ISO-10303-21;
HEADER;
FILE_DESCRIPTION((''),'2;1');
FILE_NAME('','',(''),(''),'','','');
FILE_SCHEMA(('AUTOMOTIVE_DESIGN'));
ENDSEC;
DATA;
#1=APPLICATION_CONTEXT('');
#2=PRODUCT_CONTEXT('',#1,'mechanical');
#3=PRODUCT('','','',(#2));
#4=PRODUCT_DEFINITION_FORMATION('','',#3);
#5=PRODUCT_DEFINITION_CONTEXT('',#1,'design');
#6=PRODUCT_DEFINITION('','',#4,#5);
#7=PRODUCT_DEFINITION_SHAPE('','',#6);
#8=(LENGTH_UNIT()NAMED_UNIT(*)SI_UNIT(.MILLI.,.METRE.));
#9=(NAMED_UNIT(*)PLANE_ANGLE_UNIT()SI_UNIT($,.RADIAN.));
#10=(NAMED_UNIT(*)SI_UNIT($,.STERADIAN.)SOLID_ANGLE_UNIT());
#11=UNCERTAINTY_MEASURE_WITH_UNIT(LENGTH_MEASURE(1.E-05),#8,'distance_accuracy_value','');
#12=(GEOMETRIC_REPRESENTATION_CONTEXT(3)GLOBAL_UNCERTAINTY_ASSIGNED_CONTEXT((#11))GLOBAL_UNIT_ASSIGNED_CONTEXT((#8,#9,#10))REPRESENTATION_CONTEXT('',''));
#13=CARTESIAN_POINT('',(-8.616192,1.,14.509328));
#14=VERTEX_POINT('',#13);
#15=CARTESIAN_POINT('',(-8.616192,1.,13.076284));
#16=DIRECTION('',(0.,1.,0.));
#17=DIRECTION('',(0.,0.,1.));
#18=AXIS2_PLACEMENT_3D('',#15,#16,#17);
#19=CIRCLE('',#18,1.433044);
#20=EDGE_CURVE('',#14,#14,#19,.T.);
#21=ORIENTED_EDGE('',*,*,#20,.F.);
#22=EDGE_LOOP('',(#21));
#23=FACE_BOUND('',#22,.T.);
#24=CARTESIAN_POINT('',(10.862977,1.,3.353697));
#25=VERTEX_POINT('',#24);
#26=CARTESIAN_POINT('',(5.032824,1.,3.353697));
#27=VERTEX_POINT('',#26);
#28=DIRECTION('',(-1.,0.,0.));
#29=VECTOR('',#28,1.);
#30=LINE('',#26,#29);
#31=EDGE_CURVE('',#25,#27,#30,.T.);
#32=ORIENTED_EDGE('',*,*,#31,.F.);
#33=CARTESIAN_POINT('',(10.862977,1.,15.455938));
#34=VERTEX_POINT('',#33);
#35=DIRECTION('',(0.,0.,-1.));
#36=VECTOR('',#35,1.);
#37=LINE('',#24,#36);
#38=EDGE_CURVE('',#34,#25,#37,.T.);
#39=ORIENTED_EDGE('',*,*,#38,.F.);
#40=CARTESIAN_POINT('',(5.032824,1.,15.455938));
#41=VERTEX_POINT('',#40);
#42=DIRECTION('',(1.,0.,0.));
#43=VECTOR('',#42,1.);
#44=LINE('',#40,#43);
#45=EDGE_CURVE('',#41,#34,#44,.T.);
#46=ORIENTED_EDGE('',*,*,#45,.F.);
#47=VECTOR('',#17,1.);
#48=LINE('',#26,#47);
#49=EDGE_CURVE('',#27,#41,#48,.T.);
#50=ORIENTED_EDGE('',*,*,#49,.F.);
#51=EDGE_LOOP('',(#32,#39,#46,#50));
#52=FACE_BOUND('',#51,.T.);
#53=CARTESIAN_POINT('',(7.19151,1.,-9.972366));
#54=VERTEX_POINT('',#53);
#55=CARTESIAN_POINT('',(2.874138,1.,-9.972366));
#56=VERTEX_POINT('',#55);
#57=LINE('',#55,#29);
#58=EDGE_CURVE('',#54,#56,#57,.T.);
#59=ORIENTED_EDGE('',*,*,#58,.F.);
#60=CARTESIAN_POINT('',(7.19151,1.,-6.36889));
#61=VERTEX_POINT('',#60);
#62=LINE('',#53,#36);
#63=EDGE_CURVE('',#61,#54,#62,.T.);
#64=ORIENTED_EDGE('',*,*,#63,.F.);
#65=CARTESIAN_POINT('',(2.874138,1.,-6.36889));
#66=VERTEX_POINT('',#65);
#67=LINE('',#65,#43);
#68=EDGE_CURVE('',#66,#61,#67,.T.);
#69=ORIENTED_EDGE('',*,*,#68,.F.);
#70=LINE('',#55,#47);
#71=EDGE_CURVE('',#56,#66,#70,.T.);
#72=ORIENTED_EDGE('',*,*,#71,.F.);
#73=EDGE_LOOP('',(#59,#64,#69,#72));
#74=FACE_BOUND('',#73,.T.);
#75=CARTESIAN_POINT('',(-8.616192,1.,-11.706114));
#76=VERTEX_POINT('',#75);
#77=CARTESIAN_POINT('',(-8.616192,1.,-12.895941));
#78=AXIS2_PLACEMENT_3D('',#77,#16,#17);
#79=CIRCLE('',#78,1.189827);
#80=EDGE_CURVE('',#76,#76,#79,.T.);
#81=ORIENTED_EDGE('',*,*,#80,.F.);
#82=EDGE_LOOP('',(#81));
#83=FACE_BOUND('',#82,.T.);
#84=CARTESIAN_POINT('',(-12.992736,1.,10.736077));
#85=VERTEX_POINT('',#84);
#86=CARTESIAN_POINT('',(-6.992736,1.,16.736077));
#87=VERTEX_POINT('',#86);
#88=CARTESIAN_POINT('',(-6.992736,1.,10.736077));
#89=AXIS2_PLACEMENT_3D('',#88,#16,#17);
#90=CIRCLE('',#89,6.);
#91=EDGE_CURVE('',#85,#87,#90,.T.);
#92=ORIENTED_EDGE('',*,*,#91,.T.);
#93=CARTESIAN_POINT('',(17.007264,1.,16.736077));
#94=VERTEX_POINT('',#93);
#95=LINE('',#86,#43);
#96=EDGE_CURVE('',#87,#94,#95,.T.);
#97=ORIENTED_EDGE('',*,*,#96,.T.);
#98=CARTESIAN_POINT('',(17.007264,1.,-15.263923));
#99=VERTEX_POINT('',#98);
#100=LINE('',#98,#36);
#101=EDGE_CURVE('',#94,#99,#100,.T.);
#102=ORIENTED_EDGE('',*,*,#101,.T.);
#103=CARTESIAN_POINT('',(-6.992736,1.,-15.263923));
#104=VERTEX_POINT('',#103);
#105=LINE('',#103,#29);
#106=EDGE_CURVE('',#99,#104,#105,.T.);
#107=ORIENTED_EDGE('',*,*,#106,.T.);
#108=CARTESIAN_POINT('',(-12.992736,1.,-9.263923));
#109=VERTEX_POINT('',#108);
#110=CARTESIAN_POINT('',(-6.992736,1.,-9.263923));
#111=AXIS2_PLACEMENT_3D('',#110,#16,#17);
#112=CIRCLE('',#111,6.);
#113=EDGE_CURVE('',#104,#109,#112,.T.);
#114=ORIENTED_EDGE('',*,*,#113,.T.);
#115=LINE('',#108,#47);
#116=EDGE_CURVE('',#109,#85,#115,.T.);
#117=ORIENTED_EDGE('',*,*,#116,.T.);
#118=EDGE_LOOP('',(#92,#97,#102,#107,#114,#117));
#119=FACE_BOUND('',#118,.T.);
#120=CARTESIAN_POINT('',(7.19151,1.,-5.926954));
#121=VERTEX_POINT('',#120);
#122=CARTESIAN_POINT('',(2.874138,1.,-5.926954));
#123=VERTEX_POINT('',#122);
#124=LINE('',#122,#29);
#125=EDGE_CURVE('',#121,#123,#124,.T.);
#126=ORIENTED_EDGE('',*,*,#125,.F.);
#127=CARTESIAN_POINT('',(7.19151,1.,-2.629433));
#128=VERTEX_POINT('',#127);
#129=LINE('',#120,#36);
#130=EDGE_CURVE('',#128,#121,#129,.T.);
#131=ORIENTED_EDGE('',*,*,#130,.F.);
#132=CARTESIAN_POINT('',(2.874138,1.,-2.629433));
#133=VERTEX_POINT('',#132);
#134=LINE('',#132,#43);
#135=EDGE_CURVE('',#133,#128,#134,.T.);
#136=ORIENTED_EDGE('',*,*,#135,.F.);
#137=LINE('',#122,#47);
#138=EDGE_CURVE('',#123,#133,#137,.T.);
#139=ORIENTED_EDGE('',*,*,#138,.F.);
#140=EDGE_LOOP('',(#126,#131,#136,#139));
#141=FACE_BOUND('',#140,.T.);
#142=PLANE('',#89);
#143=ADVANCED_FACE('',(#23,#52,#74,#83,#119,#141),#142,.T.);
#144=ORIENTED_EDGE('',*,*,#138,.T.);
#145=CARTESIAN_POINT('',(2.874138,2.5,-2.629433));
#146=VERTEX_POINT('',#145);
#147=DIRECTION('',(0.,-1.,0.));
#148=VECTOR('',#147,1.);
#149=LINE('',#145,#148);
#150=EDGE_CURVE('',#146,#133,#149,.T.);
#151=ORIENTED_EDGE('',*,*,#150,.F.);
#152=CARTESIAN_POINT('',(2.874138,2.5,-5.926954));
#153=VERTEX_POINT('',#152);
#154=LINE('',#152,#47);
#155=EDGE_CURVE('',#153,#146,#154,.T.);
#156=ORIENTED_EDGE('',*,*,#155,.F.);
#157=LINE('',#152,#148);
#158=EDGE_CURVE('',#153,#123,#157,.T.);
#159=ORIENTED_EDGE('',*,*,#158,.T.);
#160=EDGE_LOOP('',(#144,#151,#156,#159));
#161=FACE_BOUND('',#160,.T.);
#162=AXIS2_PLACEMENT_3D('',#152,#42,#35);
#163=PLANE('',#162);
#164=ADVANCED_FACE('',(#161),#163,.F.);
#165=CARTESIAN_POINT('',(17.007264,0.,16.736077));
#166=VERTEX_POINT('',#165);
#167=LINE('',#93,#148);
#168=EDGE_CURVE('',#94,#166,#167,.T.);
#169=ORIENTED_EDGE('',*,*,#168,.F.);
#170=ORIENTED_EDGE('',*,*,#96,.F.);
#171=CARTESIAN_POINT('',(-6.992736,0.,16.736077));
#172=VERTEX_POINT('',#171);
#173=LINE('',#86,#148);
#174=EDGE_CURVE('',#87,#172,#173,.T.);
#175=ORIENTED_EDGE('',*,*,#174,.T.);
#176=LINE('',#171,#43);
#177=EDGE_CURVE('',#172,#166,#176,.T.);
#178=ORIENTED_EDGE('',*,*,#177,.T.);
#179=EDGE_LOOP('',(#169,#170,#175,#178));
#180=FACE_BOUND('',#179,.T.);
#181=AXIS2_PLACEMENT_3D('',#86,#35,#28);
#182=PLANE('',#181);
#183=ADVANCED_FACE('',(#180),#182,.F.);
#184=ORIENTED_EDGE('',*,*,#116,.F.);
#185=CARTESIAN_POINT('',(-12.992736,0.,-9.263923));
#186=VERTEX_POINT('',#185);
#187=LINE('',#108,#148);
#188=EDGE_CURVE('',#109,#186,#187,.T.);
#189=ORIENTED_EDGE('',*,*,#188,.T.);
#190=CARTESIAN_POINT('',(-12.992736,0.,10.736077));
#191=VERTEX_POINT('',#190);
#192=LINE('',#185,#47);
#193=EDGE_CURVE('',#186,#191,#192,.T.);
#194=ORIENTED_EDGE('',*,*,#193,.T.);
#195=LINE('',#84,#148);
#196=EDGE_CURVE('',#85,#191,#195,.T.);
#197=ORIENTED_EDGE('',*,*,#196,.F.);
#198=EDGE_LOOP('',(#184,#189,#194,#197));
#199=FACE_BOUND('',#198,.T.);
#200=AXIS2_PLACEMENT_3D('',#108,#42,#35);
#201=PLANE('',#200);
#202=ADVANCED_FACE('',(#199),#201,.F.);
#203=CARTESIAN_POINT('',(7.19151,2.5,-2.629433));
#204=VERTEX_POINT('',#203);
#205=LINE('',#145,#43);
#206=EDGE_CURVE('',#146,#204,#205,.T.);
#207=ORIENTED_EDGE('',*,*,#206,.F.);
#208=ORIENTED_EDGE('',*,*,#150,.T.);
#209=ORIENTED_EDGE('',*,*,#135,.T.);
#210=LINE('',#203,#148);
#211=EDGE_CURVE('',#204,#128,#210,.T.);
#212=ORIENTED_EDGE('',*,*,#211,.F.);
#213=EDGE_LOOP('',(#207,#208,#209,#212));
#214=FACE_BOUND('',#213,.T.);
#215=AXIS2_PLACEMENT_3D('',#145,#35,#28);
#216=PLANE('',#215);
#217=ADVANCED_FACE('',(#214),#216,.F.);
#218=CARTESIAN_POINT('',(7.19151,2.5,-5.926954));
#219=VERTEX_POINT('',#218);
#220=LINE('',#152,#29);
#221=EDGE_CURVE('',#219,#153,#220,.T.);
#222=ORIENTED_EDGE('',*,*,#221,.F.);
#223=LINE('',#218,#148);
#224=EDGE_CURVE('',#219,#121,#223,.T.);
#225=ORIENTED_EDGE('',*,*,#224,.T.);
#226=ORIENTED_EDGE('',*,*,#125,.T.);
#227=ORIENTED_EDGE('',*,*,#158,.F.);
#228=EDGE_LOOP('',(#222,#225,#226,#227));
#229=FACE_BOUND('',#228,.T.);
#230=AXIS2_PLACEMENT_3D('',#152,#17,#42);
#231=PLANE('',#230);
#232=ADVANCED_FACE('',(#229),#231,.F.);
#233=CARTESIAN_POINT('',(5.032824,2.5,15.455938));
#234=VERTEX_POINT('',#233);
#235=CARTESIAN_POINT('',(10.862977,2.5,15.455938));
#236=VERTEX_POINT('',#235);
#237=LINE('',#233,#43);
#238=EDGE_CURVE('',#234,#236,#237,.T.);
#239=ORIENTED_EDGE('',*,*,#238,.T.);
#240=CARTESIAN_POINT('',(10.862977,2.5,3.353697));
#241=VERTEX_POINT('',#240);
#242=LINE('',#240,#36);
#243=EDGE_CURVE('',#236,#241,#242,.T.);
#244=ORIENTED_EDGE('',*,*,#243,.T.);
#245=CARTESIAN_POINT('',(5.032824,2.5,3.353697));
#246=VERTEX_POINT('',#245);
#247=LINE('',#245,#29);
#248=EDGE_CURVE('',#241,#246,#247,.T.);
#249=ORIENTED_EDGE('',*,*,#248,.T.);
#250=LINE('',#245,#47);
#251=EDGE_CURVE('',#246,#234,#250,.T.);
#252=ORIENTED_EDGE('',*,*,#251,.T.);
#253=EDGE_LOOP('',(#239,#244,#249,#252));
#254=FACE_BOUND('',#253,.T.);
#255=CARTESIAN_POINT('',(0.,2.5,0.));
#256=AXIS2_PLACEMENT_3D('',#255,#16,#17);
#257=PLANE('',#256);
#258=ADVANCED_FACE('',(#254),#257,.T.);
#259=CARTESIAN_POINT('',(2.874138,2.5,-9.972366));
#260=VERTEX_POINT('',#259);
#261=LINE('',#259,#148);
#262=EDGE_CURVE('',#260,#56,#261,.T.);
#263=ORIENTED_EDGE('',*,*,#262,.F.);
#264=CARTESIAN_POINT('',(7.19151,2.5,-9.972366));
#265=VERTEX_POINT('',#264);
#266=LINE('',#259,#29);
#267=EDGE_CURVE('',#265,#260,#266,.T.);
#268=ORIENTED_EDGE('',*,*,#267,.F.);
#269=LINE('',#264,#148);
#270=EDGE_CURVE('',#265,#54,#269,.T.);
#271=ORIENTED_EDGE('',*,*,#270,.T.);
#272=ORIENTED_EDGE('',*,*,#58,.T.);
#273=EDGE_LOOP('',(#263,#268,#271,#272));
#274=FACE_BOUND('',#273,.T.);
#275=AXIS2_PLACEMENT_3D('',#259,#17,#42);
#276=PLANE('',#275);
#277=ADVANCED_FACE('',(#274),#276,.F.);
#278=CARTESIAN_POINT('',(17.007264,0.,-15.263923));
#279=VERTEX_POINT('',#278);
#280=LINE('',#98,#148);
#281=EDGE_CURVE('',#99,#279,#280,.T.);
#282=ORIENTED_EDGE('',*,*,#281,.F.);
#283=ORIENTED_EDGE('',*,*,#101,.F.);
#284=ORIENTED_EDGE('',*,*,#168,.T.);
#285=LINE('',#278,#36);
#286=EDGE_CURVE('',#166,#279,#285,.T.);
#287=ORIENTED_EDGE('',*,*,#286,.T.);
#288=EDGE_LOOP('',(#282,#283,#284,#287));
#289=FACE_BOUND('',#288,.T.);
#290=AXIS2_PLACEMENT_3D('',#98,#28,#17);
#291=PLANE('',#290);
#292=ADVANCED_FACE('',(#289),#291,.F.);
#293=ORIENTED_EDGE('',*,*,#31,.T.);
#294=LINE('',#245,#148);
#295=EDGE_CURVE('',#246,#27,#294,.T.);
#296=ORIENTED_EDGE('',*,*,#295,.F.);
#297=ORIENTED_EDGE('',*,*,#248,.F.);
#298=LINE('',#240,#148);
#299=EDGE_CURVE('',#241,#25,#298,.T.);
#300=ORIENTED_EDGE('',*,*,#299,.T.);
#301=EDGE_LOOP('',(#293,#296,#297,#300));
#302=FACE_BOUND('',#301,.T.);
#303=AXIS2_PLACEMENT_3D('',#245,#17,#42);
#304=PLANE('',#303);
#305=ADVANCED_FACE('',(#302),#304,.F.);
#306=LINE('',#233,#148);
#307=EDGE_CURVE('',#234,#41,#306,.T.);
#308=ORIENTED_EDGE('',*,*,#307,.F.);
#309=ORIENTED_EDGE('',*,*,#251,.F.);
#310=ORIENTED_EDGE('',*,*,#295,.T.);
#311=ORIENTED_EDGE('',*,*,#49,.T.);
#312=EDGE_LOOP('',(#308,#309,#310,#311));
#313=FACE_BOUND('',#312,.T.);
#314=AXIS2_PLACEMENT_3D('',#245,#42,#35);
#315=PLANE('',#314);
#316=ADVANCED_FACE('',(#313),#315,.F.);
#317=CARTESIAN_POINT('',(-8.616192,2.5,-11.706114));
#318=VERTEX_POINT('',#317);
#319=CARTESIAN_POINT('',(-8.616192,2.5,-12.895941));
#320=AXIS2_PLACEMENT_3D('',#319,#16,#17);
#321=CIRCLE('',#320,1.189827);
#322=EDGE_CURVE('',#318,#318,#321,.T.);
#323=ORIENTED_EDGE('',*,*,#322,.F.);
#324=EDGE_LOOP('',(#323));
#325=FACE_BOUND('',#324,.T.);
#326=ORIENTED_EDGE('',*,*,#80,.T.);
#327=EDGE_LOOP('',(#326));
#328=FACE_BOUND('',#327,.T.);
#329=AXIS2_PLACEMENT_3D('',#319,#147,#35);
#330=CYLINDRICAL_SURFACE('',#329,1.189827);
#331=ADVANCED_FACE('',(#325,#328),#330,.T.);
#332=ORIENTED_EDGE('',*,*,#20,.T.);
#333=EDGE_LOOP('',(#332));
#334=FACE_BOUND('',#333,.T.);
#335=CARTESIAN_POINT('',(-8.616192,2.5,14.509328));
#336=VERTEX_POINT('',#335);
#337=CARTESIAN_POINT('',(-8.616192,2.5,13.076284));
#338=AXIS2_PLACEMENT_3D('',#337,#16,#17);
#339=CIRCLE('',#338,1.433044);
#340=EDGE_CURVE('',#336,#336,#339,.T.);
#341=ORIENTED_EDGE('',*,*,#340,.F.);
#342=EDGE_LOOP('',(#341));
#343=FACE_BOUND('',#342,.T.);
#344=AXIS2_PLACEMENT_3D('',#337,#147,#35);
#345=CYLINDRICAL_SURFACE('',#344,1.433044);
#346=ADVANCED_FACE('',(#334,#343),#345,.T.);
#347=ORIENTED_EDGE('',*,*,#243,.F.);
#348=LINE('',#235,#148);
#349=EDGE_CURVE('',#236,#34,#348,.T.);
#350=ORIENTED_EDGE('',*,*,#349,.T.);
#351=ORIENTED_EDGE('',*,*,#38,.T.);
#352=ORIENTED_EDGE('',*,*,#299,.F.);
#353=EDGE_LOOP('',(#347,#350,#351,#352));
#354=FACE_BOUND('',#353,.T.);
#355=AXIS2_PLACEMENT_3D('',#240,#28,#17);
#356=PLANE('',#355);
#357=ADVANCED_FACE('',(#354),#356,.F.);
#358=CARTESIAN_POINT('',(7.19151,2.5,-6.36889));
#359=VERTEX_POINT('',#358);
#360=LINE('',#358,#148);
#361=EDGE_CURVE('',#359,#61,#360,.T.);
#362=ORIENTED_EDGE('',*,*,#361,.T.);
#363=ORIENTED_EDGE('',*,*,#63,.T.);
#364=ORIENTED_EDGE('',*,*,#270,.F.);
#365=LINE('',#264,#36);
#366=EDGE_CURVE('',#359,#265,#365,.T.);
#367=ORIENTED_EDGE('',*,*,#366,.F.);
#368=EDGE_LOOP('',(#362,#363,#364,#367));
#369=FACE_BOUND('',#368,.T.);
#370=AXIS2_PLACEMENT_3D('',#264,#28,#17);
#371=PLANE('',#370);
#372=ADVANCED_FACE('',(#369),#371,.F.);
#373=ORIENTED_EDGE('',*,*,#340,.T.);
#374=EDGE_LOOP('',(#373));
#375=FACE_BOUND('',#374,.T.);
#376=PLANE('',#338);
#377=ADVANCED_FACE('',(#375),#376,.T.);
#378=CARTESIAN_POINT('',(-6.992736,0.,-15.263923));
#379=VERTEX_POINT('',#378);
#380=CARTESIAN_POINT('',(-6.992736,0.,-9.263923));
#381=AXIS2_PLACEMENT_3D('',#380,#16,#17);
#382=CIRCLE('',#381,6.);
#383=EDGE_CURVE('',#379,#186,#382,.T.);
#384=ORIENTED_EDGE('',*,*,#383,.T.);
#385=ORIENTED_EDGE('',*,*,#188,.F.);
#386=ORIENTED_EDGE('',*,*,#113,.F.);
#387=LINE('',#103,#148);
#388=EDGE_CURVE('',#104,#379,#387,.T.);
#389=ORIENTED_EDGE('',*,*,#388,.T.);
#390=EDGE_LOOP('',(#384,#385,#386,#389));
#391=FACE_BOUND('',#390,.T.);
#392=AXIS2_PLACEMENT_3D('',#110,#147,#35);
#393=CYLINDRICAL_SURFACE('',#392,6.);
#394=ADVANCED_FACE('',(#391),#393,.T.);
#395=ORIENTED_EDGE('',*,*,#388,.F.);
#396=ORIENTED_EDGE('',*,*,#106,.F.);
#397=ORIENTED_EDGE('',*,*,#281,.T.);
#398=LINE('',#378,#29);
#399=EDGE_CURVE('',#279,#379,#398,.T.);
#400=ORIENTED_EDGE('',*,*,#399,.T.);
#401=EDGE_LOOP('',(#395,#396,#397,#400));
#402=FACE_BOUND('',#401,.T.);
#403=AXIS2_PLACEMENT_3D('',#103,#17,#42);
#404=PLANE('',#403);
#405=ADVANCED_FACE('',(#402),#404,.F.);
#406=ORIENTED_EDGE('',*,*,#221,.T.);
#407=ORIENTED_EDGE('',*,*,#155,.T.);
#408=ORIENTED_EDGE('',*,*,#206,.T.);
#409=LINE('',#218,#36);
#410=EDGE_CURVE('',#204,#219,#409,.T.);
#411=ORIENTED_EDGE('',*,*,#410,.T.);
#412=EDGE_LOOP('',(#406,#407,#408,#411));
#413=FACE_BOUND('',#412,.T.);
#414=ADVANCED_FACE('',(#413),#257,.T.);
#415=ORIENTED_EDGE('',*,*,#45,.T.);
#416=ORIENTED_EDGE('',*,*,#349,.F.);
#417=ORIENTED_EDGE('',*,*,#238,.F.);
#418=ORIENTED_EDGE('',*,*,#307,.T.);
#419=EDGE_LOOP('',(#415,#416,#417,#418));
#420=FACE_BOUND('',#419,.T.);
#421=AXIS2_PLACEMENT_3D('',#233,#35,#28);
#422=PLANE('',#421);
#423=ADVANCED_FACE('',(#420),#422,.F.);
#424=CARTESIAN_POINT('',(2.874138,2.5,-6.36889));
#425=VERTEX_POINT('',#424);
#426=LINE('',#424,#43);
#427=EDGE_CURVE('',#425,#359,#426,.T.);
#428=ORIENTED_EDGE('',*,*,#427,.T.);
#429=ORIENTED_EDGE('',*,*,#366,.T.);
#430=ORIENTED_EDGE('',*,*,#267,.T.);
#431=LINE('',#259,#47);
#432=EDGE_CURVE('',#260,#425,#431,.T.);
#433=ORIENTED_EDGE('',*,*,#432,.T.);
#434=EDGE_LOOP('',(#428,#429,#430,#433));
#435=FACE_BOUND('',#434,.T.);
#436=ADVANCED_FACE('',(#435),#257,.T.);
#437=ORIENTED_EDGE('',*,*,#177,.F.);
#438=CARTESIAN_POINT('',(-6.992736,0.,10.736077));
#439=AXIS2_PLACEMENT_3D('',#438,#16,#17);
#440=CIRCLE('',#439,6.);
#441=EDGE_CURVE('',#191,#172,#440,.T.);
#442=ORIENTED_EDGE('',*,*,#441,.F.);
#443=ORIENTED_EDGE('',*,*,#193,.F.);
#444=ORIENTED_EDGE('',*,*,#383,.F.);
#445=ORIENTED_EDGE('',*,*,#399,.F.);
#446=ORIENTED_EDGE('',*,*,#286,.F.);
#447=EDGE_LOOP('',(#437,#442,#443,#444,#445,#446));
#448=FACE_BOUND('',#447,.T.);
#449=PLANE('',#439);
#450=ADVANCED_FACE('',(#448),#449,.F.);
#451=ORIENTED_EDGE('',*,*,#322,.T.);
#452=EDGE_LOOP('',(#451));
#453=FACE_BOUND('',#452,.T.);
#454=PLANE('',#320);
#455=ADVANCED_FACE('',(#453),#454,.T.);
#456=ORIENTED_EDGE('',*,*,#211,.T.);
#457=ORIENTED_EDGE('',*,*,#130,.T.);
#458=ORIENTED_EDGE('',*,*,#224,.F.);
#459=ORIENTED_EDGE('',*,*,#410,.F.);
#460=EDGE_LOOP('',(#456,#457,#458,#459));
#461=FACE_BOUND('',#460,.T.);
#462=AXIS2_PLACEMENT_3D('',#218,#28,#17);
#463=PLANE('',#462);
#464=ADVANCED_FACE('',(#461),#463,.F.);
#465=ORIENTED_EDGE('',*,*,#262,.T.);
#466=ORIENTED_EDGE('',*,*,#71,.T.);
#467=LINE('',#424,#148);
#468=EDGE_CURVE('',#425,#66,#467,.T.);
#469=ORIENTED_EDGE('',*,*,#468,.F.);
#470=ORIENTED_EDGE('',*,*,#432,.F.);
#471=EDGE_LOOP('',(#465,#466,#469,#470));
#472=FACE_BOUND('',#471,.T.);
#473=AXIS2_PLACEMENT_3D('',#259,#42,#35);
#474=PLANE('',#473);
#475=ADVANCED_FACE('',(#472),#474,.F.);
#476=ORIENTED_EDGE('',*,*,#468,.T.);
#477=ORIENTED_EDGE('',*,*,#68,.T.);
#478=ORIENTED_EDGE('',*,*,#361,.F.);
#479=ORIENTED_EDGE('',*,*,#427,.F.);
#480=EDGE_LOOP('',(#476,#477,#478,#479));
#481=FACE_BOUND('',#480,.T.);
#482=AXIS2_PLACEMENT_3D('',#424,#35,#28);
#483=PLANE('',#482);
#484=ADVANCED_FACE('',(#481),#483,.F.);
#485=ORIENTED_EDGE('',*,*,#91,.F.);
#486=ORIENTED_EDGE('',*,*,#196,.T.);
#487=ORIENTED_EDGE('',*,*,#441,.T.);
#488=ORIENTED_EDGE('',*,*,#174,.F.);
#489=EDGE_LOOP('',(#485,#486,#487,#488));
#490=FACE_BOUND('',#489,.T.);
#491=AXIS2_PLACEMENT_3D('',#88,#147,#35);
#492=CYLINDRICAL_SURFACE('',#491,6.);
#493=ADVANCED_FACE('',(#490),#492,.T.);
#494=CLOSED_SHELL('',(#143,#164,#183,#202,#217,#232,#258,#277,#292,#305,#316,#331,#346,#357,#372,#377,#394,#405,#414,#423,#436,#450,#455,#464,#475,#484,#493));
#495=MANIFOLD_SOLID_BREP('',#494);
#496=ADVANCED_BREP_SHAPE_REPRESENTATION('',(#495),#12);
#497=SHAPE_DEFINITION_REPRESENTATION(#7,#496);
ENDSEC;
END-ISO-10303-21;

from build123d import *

# Parameters (mm, degrees)
BOSS_EXTRUDE1_DEPTH = 1
SKETCH2_W           = 4.317372505
SKETCH2_H           = 3.603476264
SKETCH2_H_2         = 3.297520732
SKETCH2_W_2         = 5.830152634
SKETCH2_H_3         = 12.102241037
BOSS_EXTRUDE2_DEPTH = 1.5
SKETCH3_R           = 1.433043964
SKETCH3_R_2         = 1.189827068
BOSS_EXTRUDE3_DEPTH = 1.5


with BuildPart() as part:
    # Sketch1 → Boss-Extrude1 (new body)
    with BuildSketch(Plane(origin=(0, 0, 0), x_dir=(1, 0, 0), z_dir=(0, 1, 0))):
        with BuildLine():
            Line((-6.992736077, 15.263922518), (17.007263923, 15.263922518))
            Line((17.007263923, 15.263922518), (17.007263923, -16.736077482))
            Line((17.007263923, -16.736077482), (-6.992736077, -16.736077482))
            ThreePointArc((-6.992736077, -16.736077482), (-11.235376765, -14.978718169), (-12.992736077, -10.736077482))
            Line((-12.992736077, -10.736077482), (-12.992736077, 9.263922518))
            ThreePointArc((-12.992736077, 9.263922518), (-11.235376765, 13.506563205), (-6.992736077, 15.263922518))
        make_face()
    extrude(amount=BOSS_EXTRUDE1_DEPTH)

    # Sketch2 → Boss-Extrude2 (add)
    with BuildSketch(Plane(origin=(0, 1, 0), x_dir=(1, 0, 0), z_dir=(0, 1, 0))):
        with Locations((5.032824182, 8.170628001)):
            Rectangle(SKETCH2_W, SKETCH2_H)
        with Locations((5.032824182, 4.278193734)):
            Rectangle(SKETCH2_W, SKETCH2_H_2)
        with Locations((7.947900499, -9.404817551)):
            Rectangle(SKETCH2_W_2, SKETCH2_H_3)
    extrude(amount=BOSS_EXTRUDE2_DEPTH)

    # Sketch3 → Boss-Extrude3 (add)
    with BuildSketch(Plane(origin=(0, 1, 0), x_dir=(1, 0, 0), z_dir=(0, 1, 0))):
        with Locations((-8.616192044, -13.076283933)):
            Circle(SKETCH3_R)
        with Locations((-8.616192044, 12.895941215)):
            Circle(SKETCH3_R_2)
    extrude(amount=BOSS_EXTRUDE3_DEPTH)


solid = part.part
